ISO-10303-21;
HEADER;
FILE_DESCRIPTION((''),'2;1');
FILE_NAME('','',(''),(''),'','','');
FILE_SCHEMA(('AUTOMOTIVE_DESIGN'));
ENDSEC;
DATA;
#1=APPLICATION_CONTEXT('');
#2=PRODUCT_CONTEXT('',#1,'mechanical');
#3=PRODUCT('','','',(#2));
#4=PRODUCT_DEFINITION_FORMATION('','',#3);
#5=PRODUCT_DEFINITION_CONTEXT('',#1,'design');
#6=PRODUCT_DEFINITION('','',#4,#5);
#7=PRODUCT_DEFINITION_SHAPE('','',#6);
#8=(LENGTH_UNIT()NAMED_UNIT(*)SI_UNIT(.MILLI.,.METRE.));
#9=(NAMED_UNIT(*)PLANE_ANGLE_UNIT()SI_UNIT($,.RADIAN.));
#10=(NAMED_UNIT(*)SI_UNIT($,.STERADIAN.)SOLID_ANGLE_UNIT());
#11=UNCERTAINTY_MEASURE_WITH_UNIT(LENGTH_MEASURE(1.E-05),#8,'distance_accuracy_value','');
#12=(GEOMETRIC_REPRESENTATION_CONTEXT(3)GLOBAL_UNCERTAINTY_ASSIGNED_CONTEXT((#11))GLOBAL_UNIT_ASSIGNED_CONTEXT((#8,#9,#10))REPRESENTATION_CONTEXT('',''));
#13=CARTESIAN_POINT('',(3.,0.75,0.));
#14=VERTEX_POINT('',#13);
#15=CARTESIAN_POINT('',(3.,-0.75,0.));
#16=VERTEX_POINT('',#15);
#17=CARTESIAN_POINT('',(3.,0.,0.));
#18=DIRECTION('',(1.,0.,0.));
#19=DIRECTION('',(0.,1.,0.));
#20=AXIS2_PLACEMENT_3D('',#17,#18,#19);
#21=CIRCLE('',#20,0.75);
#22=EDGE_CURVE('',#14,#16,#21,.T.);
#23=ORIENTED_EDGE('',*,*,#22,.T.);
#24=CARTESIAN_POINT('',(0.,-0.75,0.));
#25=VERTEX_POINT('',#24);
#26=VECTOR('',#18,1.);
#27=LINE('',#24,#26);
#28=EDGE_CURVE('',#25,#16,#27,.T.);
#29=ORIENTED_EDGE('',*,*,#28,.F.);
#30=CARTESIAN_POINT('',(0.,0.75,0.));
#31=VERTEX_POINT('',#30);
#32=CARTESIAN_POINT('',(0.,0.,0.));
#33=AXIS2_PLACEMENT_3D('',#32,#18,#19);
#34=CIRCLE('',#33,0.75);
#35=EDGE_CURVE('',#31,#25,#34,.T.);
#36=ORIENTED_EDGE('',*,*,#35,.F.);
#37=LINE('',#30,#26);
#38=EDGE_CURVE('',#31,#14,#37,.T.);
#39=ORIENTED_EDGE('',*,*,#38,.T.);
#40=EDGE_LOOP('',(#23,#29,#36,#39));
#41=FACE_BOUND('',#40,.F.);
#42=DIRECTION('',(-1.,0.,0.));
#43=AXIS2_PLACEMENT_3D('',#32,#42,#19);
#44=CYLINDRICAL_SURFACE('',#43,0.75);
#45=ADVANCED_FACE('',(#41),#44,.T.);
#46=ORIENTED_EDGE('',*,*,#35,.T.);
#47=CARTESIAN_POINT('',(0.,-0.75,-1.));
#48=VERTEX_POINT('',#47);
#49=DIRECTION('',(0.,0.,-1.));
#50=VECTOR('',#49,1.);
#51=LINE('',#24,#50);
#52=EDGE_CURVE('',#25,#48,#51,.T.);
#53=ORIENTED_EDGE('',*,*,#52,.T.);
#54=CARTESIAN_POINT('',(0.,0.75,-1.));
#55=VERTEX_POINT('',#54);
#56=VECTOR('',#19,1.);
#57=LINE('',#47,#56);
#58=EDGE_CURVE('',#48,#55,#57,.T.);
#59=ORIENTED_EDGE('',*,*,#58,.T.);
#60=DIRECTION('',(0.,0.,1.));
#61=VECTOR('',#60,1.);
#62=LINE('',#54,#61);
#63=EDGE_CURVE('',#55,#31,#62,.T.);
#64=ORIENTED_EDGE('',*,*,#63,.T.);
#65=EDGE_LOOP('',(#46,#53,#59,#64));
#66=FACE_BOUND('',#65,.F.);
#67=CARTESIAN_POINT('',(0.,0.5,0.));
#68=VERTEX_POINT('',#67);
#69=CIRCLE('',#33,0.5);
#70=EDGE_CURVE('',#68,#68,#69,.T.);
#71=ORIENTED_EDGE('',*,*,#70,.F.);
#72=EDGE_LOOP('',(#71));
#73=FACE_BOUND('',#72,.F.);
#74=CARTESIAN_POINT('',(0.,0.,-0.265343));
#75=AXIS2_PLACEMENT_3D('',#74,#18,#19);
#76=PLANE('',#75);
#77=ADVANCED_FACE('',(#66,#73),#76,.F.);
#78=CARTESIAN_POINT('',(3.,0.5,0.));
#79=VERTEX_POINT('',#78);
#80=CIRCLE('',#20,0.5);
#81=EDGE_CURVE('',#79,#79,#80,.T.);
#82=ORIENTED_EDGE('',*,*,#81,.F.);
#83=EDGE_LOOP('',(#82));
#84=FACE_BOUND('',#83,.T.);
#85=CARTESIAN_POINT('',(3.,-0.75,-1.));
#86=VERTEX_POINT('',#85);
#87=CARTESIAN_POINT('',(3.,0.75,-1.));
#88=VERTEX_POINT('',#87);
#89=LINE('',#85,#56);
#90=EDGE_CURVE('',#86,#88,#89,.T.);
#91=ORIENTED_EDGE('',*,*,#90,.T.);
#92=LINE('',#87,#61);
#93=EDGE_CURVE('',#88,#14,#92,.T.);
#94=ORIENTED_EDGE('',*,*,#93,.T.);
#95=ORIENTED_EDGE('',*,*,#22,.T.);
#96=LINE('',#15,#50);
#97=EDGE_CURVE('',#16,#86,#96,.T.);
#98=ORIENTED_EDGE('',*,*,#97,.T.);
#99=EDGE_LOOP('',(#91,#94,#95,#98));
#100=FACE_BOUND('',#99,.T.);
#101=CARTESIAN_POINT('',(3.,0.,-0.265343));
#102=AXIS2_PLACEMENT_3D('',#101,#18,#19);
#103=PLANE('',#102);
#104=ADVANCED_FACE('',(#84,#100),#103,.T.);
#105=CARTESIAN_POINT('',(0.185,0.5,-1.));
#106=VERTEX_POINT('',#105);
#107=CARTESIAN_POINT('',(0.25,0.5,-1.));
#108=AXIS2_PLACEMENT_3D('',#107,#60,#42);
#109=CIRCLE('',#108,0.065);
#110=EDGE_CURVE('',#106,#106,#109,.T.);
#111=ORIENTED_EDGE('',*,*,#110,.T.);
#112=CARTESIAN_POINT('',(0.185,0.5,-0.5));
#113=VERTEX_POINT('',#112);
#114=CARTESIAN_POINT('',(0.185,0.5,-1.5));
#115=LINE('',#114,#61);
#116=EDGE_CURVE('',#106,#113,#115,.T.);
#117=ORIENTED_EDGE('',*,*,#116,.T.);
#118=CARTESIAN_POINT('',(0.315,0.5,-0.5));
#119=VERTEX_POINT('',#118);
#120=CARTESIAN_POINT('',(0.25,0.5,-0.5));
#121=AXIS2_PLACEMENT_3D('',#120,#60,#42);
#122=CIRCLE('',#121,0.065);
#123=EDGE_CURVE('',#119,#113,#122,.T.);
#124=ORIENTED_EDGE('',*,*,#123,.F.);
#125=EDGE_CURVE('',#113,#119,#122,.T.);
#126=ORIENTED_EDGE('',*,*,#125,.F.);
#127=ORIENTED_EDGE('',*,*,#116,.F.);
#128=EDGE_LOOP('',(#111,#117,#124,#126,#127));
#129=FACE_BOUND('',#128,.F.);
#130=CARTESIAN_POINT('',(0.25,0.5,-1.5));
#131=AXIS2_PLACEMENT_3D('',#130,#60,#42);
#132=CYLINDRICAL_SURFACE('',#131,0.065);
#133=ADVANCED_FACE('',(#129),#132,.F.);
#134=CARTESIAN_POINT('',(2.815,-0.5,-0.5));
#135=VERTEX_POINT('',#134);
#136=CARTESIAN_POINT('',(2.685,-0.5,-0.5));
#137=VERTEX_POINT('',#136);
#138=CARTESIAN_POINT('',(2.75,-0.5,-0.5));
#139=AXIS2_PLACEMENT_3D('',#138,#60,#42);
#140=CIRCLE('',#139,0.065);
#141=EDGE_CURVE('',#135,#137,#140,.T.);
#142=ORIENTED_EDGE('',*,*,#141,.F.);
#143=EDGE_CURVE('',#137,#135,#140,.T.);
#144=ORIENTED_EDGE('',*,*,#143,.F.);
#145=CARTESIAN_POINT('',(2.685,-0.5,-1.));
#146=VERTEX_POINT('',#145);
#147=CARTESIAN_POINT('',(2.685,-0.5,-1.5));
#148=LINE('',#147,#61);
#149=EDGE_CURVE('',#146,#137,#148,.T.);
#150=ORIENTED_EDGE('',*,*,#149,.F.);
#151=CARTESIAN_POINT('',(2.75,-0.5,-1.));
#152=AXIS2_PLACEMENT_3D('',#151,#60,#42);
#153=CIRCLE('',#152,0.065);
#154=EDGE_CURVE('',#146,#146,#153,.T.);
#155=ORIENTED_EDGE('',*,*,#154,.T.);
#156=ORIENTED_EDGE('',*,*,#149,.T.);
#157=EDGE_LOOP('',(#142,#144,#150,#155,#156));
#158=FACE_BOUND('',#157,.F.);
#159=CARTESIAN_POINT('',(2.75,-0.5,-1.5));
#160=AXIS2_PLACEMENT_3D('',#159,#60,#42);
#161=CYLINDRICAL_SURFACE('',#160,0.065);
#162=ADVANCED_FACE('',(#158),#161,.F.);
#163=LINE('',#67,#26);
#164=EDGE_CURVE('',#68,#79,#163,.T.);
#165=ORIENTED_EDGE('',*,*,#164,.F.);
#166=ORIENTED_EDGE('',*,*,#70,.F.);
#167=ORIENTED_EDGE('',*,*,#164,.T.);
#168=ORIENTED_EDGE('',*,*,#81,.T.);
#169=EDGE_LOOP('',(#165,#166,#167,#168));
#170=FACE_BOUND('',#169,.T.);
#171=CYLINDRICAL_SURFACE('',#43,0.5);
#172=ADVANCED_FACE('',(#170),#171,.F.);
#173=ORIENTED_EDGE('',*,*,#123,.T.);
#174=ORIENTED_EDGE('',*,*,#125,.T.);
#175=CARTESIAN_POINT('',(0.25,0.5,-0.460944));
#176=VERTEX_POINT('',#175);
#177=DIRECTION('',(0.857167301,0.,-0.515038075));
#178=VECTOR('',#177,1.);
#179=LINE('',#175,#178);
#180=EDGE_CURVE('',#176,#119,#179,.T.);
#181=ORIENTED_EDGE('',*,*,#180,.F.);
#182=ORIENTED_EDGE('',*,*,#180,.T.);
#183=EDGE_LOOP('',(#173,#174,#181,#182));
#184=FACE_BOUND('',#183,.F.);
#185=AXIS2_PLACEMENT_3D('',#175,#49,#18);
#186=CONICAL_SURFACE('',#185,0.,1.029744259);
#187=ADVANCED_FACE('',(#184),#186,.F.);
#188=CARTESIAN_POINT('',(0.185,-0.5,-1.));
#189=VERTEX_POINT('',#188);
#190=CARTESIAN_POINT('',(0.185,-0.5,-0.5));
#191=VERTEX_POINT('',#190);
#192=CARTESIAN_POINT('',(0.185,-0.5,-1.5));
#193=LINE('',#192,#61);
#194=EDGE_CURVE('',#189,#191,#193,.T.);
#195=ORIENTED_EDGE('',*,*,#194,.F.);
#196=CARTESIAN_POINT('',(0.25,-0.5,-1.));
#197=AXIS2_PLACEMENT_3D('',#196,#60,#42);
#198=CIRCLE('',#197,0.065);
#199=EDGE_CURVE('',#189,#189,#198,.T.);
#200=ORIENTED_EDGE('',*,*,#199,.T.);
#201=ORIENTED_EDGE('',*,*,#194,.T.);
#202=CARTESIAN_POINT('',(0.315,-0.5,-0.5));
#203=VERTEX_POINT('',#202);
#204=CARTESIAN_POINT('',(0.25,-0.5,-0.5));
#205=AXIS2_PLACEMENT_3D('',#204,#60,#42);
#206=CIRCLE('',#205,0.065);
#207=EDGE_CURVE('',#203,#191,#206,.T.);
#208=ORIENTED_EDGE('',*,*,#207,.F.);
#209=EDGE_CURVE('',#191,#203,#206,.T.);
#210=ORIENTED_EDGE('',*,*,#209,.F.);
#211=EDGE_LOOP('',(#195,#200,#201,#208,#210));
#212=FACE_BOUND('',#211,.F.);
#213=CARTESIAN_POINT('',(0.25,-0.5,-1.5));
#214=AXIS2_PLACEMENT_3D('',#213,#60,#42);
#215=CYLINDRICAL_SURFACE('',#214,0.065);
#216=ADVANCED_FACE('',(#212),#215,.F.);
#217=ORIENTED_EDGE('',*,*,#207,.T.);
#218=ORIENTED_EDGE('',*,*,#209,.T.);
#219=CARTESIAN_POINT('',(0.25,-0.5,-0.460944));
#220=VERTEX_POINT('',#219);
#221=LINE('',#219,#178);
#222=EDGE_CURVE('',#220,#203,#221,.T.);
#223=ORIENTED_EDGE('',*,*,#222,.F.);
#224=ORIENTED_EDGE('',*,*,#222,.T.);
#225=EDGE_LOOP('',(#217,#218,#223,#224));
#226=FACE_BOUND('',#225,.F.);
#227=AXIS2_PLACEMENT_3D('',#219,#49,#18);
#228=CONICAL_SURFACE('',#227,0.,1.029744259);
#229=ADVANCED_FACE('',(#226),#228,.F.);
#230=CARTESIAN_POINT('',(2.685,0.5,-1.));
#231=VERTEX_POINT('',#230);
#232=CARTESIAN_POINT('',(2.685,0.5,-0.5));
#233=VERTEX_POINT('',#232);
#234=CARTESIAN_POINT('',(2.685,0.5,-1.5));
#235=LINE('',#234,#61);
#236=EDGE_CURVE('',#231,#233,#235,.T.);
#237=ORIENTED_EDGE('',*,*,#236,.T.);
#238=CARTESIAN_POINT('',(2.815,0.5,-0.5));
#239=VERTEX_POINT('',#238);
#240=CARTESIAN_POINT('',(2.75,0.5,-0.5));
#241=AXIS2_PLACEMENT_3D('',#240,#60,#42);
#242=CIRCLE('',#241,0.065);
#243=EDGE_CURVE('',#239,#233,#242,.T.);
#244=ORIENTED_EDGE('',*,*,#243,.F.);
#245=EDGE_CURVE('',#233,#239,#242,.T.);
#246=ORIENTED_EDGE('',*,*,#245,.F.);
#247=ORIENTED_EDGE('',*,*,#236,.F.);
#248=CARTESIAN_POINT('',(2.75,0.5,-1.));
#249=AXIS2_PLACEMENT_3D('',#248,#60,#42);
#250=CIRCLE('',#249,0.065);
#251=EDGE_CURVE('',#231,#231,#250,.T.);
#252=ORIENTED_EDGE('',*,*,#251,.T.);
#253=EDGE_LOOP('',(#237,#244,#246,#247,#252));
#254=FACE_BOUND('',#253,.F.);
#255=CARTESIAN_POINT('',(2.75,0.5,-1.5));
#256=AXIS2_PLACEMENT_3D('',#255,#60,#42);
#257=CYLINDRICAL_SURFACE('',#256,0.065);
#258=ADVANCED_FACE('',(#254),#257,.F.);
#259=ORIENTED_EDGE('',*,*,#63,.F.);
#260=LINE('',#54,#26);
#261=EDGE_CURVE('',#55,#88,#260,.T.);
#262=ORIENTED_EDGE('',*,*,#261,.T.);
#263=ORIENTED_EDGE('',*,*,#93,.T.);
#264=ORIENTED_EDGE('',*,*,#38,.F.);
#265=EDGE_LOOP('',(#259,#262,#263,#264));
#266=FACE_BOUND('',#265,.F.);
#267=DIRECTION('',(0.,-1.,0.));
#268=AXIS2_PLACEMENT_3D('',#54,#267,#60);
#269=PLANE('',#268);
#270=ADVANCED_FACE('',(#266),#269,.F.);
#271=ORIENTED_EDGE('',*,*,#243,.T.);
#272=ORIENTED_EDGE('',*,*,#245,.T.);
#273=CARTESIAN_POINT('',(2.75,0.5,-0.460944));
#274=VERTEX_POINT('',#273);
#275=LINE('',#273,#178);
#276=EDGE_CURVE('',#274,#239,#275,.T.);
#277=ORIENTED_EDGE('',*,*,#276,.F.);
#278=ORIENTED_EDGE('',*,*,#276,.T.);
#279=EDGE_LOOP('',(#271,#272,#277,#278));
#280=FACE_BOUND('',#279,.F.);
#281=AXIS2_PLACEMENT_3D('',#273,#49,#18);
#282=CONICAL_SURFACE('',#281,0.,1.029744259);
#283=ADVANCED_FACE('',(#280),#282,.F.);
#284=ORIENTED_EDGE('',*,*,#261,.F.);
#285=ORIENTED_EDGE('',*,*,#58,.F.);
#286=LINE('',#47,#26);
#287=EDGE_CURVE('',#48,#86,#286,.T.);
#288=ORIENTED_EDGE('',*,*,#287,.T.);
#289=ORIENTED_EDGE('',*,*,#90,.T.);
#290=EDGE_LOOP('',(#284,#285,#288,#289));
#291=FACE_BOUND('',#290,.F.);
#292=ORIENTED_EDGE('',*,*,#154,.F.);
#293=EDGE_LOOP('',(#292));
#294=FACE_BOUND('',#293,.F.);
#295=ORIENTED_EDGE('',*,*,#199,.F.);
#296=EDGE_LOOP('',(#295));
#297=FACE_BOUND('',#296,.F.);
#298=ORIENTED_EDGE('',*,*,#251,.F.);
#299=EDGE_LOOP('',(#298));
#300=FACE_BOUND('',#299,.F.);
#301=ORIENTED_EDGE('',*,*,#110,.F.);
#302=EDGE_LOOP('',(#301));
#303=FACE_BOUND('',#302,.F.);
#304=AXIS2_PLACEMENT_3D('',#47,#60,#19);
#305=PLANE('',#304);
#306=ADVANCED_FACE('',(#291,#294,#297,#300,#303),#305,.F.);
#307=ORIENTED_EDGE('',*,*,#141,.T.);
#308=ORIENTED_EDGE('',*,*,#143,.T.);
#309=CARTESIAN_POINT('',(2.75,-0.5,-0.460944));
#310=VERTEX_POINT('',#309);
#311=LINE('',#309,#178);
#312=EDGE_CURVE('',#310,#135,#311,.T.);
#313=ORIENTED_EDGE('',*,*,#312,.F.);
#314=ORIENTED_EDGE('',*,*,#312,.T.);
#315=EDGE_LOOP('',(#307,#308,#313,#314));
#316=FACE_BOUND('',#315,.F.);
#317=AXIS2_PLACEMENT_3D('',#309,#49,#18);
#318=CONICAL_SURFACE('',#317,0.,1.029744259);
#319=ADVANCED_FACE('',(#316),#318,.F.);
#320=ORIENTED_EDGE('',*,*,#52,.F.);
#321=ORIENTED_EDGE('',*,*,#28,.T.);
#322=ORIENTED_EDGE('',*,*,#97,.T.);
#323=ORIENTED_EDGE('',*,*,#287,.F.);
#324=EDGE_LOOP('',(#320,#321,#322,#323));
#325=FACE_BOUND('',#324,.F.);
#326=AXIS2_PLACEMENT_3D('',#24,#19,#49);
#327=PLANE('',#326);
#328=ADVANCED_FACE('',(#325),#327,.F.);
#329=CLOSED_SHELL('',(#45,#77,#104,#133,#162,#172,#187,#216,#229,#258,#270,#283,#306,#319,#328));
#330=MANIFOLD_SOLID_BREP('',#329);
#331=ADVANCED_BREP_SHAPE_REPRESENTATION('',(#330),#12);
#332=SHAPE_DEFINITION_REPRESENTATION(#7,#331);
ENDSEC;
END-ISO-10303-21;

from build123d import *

# Parameters (mm, degrees)
F0_R     = 0.5
F1_DEPTH = 3
F3_D     = 0.13
F3_DEPTH = 0.5
F3_TIP   = 0.0390559402
F4_D     = 0.13
F4_DEPTH = 0.5
F4_TIP   = 0.0390559402


with BuildPart() as f1:
    # F0 (on Right) → F1 (new body)
    with BuildSketch(Plane.YZ):
        with BuildLine():
            Line((0.75, -1), (0.75, 0))
            ThreePointArc((0.75, 0), (0, 0.75), (-0.75, 0))
            Line((-0.75, 0), (-0.75, -1))
            Line((-0.75, -1), (0.75, -1))
        make_face()
        Circle(F0_R, mode=Mode.SUBTRACT)
    extrude(amount=F1_DEPTH)

    # F3
    with Locations(Plane(origin=(0, 0, -1), x_dir=(1, 0, 0), z_dir=(0, 0, -1))):
        with Locations((0.25, 0.5)):
            Hole(F3_D / 2, depth=F3_DEPTH)
            with Locations((0, 0, -(F3_DEPTH + F3_TIP / 2))):  # 118° drill point
                Cone(0, F3_D / 2, F3_TIP, mode=Mode.SUBTRACT)

    # F4
    with Locations(Plane(origin=(0, 0, -1), x_dir=(1, 0, 0), z_dir=(0, 0, -1))):
        with Locations((2.75, 0.5), (2.75, -0.5), (0.25, -0.5)):
            Hole(F4_D / 2, depth=F4_DEPTH)
            with Locations((0, 0, -(F4_DEPTH + F4_TIP / 2))):  # 118° drill point
                Cone(0, F4_D / 2, F4_TIP, mode=Mode.SUBTRACT)


solid = f1.part
